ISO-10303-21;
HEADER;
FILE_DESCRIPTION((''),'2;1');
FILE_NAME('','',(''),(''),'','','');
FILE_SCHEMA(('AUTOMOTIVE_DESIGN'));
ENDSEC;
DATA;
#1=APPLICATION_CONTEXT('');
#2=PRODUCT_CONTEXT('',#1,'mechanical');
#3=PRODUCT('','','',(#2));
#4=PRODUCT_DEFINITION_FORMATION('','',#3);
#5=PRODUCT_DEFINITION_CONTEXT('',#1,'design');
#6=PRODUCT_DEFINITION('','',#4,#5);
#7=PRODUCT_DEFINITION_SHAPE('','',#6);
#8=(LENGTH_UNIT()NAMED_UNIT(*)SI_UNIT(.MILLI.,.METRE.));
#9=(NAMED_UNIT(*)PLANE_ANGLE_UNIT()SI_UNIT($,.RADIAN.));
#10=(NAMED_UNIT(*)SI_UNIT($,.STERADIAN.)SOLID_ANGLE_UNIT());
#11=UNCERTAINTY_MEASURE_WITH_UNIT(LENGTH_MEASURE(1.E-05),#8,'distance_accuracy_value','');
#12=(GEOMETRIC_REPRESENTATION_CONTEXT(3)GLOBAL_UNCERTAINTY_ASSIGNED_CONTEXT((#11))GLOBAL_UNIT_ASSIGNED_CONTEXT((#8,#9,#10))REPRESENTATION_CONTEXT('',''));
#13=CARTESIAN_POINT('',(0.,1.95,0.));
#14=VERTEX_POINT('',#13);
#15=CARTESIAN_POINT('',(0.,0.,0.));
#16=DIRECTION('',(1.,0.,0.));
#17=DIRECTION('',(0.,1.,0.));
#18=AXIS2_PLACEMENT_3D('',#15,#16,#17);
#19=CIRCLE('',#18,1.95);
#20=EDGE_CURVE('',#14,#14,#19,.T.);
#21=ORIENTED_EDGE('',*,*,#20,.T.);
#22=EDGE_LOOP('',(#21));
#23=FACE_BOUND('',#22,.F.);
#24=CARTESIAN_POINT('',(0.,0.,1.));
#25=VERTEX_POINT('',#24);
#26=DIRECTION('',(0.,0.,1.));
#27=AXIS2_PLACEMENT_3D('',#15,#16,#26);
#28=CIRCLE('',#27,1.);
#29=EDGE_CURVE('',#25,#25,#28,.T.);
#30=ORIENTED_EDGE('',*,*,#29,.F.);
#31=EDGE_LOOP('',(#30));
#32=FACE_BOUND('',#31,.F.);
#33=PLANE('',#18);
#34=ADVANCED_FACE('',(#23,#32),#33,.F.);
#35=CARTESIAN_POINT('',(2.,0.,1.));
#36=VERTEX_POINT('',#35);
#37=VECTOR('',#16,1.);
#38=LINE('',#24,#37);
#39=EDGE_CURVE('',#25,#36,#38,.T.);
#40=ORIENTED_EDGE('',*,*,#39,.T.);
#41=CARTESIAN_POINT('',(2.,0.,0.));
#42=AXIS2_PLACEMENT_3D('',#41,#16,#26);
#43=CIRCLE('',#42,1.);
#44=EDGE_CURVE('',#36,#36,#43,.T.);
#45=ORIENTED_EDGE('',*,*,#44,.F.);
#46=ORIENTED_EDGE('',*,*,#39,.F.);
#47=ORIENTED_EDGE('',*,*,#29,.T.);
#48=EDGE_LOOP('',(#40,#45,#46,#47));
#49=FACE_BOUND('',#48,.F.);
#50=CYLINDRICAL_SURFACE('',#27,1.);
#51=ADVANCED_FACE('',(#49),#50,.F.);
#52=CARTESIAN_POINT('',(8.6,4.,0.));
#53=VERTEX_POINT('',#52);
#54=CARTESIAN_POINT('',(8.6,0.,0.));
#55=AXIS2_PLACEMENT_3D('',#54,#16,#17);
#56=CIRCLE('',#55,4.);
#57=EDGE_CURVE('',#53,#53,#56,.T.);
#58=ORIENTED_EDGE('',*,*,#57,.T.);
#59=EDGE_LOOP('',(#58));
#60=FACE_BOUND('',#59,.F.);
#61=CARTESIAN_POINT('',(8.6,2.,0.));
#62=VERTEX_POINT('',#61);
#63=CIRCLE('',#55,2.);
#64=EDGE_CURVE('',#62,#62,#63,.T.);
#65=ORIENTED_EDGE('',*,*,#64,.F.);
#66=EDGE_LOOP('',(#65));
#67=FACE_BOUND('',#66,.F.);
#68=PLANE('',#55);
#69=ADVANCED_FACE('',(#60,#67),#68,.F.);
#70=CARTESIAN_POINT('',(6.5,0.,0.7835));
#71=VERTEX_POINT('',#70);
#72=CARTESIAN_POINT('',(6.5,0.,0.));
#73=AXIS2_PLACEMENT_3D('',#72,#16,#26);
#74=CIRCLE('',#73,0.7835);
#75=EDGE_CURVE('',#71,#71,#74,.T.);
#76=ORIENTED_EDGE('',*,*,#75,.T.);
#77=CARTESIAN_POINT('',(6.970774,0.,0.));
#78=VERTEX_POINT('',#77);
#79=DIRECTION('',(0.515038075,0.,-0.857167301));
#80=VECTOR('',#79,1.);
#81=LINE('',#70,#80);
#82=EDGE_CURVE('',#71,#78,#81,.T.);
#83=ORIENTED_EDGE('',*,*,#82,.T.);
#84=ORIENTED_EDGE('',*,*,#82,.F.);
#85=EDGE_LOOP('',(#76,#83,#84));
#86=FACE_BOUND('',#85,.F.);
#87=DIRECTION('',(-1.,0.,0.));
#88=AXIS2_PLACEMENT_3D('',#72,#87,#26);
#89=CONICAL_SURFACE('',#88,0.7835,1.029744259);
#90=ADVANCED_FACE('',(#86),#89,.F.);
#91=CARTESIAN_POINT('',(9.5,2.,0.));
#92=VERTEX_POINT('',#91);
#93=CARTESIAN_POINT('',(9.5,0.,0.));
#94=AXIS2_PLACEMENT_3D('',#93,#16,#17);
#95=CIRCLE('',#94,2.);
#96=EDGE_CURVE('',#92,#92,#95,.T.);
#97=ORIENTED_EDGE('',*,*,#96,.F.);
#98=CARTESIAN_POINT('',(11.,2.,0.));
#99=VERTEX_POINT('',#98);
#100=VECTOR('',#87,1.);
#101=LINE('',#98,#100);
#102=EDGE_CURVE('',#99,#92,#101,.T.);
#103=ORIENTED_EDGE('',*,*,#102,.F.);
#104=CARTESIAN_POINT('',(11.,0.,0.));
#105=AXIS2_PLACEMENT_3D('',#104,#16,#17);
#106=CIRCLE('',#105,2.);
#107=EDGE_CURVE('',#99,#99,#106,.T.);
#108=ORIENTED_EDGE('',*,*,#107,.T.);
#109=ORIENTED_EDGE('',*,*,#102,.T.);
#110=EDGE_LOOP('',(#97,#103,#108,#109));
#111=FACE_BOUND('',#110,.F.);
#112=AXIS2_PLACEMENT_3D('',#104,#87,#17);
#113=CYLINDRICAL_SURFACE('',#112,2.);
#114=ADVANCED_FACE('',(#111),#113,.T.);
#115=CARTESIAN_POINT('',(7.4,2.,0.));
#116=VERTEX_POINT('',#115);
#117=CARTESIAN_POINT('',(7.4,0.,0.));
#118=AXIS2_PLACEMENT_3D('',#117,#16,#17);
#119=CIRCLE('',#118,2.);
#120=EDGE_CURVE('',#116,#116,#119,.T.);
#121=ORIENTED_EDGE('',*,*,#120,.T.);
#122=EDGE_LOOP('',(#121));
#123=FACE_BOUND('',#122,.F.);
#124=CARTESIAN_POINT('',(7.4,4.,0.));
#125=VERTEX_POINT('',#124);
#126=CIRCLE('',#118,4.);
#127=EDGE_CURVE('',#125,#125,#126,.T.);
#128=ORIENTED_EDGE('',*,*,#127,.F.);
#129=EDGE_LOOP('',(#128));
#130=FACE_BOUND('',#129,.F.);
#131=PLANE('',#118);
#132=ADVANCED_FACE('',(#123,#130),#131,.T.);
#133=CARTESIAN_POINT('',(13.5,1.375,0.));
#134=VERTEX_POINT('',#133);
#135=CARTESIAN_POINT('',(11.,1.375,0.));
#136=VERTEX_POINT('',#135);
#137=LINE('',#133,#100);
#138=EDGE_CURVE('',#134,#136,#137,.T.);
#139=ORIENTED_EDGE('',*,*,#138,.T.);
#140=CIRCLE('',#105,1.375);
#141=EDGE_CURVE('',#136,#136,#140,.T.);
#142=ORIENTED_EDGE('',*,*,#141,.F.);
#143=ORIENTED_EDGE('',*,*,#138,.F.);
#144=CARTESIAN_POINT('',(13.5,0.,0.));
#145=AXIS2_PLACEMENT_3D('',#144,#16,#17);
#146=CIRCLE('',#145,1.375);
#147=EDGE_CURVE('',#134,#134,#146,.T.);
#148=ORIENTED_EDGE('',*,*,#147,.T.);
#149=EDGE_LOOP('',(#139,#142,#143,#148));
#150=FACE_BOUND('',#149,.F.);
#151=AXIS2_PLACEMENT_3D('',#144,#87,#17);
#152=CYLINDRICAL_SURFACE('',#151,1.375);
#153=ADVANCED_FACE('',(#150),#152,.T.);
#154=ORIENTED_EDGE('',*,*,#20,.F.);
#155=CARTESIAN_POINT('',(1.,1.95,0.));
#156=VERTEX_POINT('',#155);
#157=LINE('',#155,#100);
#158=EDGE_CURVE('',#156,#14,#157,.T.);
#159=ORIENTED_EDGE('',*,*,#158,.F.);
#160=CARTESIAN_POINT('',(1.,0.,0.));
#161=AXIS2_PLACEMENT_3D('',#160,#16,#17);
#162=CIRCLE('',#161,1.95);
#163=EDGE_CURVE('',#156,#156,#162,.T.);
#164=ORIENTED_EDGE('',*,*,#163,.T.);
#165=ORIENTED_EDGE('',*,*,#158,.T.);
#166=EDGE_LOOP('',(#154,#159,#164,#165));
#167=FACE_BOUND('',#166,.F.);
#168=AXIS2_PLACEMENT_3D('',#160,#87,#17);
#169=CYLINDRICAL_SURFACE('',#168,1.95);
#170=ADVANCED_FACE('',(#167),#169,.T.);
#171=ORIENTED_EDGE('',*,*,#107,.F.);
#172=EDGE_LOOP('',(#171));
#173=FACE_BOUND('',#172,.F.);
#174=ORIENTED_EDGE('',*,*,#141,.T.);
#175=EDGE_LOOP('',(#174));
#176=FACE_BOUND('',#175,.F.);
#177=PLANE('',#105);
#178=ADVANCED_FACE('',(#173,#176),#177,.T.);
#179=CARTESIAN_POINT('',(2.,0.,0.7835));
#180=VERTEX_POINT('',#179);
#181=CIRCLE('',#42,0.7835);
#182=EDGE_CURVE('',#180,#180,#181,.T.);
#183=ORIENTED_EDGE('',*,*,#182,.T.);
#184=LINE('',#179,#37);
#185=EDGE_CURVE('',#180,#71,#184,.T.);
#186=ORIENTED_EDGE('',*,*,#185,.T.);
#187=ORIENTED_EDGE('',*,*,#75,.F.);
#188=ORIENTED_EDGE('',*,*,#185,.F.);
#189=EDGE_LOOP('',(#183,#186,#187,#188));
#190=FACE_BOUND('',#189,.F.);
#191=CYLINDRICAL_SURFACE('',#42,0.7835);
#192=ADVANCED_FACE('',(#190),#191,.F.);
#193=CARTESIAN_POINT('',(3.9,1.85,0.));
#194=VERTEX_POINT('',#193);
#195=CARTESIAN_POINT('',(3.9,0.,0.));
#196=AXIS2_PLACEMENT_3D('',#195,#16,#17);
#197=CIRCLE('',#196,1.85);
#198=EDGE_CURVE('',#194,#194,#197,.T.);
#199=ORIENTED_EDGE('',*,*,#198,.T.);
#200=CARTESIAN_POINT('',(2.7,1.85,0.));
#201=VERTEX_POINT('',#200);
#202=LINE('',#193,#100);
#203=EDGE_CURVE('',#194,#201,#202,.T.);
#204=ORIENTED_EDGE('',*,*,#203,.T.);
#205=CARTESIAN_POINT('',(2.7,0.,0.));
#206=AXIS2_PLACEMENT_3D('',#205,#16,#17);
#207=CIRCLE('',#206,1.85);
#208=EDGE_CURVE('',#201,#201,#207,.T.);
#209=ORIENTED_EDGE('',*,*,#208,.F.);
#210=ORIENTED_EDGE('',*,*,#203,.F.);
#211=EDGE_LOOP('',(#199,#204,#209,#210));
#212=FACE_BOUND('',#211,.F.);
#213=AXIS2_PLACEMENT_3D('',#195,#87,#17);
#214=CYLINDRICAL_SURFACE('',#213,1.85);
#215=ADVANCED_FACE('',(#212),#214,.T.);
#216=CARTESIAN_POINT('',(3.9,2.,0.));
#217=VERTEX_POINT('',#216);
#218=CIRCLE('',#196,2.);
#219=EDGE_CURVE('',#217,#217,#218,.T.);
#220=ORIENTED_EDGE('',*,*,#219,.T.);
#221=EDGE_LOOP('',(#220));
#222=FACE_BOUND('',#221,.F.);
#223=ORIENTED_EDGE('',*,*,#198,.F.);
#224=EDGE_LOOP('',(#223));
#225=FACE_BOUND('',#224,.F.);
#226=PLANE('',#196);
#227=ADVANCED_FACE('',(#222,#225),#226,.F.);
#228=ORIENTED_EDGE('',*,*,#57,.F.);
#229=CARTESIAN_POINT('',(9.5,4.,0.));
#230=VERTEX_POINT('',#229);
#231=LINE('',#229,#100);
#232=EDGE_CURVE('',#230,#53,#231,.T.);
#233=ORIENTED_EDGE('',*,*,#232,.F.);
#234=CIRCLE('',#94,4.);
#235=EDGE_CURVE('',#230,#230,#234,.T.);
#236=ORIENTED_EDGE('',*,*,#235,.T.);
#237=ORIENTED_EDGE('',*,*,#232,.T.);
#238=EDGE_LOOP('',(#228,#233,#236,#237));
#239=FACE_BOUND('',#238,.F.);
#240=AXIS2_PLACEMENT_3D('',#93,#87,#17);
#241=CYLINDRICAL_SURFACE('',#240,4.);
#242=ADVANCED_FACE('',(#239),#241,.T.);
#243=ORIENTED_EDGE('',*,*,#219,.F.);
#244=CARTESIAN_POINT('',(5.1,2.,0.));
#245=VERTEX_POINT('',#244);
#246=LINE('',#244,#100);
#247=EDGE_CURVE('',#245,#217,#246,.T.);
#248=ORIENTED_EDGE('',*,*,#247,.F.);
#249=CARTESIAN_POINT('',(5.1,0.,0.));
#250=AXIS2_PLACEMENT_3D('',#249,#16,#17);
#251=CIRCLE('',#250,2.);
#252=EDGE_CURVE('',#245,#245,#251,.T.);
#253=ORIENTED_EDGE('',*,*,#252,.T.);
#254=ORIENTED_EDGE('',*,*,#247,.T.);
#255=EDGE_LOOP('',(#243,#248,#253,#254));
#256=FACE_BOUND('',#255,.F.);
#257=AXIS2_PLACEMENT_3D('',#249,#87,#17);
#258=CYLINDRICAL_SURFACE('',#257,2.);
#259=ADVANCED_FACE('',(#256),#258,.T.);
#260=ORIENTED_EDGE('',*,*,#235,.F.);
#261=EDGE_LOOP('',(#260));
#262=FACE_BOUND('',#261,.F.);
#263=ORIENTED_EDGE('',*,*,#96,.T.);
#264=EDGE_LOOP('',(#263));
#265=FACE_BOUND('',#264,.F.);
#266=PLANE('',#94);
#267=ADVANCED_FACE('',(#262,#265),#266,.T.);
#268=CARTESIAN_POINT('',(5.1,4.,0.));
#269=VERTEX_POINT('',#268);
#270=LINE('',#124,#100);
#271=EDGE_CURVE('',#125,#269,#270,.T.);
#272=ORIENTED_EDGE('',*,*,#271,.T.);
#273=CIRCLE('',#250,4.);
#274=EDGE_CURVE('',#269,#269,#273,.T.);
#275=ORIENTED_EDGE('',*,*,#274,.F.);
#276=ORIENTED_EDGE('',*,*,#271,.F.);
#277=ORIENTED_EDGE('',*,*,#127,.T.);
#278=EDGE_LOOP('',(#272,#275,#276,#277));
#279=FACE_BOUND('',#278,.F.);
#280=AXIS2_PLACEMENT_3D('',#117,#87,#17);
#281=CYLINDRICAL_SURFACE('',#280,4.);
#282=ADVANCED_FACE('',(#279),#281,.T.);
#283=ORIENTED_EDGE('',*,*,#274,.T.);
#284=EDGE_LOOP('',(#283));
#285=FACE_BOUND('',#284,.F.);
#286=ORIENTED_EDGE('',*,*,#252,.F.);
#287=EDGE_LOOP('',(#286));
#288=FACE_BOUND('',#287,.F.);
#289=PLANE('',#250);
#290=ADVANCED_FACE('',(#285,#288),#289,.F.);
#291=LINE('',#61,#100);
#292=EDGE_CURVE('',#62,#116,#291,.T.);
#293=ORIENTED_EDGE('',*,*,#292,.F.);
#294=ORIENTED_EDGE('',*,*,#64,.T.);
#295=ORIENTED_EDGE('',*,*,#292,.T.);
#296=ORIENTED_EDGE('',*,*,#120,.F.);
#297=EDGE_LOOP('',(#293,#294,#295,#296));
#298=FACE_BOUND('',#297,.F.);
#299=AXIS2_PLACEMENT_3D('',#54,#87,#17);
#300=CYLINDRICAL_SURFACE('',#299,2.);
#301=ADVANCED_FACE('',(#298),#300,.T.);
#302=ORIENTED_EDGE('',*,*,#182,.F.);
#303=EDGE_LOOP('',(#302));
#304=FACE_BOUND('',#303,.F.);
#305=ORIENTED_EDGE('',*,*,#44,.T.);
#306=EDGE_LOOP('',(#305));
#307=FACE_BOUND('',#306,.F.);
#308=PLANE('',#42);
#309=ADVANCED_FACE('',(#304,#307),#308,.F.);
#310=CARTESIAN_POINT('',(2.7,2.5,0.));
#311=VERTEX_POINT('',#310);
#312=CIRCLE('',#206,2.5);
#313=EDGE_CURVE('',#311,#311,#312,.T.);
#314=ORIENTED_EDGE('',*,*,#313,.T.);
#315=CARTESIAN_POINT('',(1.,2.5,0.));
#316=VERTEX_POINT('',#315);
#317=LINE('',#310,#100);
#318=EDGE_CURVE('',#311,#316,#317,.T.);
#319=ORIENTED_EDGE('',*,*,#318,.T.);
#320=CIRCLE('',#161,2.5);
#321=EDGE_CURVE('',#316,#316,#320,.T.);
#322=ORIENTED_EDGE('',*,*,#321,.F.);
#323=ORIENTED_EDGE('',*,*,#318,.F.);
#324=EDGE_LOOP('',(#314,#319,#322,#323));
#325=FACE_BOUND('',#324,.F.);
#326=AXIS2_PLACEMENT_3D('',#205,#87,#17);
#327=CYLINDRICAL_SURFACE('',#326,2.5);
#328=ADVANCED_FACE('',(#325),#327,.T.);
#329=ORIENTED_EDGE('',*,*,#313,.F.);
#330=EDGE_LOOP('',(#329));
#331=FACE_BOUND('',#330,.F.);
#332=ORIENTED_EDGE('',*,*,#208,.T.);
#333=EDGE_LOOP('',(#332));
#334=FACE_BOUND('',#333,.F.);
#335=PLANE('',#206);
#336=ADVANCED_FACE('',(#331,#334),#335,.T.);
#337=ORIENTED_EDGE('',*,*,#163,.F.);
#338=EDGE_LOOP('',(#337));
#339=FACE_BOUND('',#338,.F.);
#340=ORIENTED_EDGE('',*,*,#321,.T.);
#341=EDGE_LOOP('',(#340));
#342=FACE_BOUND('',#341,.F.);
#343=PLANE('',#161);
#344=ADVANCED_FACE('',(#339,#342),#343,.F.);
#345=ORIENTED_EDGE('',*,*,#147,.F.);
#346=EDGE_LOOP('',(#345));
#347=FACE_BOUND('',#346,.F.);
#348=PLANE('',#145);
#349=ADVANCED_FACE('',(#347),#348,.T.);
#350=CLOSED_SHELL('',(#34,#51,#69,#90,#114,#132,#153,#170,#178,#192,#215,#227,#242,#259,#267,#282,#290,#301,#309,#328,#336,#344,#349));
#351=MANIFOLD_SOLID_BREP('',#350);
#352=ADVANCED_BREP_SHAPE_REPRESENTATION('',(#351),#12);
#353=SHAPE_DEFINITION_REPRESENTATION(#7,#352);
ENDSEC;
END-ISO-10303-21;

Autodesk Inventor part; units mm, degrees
ref_plane "YZ Plane" through (0, 0, 0) normal (1, 0, 0) x (0, 1, 0)
ref_plane "XZ Plane" through (0, 0, 0) normal (0, 1, 0) x (-1, 0, 0)
ref_plane "XY Plane" through (0, 0, 0) normal (0, 0, 1) x (1, 0, 0)
sketch "Sketch1" plane through (0, 0, 0) normal (0, 0, 1) x (1, 0, 0)
  line L0 (0, 0) -> (1, 0)
  line L1 (1, 0) -> (1, 1.95)
  line L2 (1, 1.95) -> (0, 1.95)
  line L3 (0, 1.95) -> (0, 0)
  line L4 (1, 0) -> (2.7, 0)
  line L5 (2.7, 0) -> (2.7, 2.5)
  line L6 (2.7, 2.5) -> (1, 2.5)
  line L7 (1, 2.5) -> (1, 0)
  line L8 (2.7, 0) -> (3.9, 0)
  line L9 (3.9, 0) -> (3.9, 1.85)
  line L10 (3.9, 1.85) -> (2.7, 1.85)
  line L11 (2.7, 1.85) -> (2.7, 0)
  line L12 (3.9, 0) -> (5.1, 0)
  line L13 (5.1, 0) -> (5.1, 2)
  line L14 (5.1, 2) -> (3.9, 2)
  line L15 (3.9, 2) -> (3.9, 0)
  line L16 (5.1, 0) -> (7.4, 0)
  line L17 (7.4, 0) -> (7.4, 4)
  line L18 (7.4, 4) -> (5.1, 4)
  line L19 (5.1, 4) -> (5.1, 0)
  line L20 (7.4, 0) -> (8.6, 0)
  line L21 (8.6, 0) -> (8.6, 2)
  line L22 (8.6, 2) -> (7.4, 2)
  line L23 (7.4, 2) -> (7.4, 0)
  line L24 (8.6, 0) -> (9.5, 0)
  line L25 (9.5, 0) -> (9.5, 4)
  line L26 (9.5, 4) -> (8.6, 4)
  line L27 (8.6, 4) -> (8.6, 0)
  line L28 (9.5, 0) -> (11, 0)
  line L29 (11, 0) -> (11, 2)
  line L30 (11, 2) -> (9.5, 2)
  line L31 (9.5, 2) -> (9.5, 0)
  line L32 (11, 0) -> (13.5, 0)
  line L33 (13.5, 0) -> (13.5, 1.375)
  line L34 (13.5, 1.375) -> (11, 1.375)
  line L35 (11, 1.375) -> (11, 0)
  dimension "d0" = 2.75
  dimension "d1" = 13.5
  dimension "d2" = 4
  dimension "d3" = 3.7
  dimension "d4" = 3.9
  dimension "d5" = 8
  dimension "d6" = 4
  dimension "d7" = 1
  dimension "d8" = 2.7
  dimension "d9" = 11
  dimension "d10" = 9.5
  dimension "d11" = 8.6
  dimension "d12" = 7.4
  dimension "d13" = 5.1
  dimension "d14" = 3.9
  dimension "d25" = 5
revolve "Revolution1" add sketch "Sketch1" angle 360 about axis through (0, 0, 0) along (1, 0, 0)
hole "Hole1" at (0, 0, 0) direction (1, 0, 0) diameter 1.567 depth 6.5 tip angle 118 counterbore diameter 2 counterbore depth 2 thread size "M2x0.4" class "6H" standard "ANSI Metric M Profile"
properties part number "403-10" material "Brass, Soft Yellow"
